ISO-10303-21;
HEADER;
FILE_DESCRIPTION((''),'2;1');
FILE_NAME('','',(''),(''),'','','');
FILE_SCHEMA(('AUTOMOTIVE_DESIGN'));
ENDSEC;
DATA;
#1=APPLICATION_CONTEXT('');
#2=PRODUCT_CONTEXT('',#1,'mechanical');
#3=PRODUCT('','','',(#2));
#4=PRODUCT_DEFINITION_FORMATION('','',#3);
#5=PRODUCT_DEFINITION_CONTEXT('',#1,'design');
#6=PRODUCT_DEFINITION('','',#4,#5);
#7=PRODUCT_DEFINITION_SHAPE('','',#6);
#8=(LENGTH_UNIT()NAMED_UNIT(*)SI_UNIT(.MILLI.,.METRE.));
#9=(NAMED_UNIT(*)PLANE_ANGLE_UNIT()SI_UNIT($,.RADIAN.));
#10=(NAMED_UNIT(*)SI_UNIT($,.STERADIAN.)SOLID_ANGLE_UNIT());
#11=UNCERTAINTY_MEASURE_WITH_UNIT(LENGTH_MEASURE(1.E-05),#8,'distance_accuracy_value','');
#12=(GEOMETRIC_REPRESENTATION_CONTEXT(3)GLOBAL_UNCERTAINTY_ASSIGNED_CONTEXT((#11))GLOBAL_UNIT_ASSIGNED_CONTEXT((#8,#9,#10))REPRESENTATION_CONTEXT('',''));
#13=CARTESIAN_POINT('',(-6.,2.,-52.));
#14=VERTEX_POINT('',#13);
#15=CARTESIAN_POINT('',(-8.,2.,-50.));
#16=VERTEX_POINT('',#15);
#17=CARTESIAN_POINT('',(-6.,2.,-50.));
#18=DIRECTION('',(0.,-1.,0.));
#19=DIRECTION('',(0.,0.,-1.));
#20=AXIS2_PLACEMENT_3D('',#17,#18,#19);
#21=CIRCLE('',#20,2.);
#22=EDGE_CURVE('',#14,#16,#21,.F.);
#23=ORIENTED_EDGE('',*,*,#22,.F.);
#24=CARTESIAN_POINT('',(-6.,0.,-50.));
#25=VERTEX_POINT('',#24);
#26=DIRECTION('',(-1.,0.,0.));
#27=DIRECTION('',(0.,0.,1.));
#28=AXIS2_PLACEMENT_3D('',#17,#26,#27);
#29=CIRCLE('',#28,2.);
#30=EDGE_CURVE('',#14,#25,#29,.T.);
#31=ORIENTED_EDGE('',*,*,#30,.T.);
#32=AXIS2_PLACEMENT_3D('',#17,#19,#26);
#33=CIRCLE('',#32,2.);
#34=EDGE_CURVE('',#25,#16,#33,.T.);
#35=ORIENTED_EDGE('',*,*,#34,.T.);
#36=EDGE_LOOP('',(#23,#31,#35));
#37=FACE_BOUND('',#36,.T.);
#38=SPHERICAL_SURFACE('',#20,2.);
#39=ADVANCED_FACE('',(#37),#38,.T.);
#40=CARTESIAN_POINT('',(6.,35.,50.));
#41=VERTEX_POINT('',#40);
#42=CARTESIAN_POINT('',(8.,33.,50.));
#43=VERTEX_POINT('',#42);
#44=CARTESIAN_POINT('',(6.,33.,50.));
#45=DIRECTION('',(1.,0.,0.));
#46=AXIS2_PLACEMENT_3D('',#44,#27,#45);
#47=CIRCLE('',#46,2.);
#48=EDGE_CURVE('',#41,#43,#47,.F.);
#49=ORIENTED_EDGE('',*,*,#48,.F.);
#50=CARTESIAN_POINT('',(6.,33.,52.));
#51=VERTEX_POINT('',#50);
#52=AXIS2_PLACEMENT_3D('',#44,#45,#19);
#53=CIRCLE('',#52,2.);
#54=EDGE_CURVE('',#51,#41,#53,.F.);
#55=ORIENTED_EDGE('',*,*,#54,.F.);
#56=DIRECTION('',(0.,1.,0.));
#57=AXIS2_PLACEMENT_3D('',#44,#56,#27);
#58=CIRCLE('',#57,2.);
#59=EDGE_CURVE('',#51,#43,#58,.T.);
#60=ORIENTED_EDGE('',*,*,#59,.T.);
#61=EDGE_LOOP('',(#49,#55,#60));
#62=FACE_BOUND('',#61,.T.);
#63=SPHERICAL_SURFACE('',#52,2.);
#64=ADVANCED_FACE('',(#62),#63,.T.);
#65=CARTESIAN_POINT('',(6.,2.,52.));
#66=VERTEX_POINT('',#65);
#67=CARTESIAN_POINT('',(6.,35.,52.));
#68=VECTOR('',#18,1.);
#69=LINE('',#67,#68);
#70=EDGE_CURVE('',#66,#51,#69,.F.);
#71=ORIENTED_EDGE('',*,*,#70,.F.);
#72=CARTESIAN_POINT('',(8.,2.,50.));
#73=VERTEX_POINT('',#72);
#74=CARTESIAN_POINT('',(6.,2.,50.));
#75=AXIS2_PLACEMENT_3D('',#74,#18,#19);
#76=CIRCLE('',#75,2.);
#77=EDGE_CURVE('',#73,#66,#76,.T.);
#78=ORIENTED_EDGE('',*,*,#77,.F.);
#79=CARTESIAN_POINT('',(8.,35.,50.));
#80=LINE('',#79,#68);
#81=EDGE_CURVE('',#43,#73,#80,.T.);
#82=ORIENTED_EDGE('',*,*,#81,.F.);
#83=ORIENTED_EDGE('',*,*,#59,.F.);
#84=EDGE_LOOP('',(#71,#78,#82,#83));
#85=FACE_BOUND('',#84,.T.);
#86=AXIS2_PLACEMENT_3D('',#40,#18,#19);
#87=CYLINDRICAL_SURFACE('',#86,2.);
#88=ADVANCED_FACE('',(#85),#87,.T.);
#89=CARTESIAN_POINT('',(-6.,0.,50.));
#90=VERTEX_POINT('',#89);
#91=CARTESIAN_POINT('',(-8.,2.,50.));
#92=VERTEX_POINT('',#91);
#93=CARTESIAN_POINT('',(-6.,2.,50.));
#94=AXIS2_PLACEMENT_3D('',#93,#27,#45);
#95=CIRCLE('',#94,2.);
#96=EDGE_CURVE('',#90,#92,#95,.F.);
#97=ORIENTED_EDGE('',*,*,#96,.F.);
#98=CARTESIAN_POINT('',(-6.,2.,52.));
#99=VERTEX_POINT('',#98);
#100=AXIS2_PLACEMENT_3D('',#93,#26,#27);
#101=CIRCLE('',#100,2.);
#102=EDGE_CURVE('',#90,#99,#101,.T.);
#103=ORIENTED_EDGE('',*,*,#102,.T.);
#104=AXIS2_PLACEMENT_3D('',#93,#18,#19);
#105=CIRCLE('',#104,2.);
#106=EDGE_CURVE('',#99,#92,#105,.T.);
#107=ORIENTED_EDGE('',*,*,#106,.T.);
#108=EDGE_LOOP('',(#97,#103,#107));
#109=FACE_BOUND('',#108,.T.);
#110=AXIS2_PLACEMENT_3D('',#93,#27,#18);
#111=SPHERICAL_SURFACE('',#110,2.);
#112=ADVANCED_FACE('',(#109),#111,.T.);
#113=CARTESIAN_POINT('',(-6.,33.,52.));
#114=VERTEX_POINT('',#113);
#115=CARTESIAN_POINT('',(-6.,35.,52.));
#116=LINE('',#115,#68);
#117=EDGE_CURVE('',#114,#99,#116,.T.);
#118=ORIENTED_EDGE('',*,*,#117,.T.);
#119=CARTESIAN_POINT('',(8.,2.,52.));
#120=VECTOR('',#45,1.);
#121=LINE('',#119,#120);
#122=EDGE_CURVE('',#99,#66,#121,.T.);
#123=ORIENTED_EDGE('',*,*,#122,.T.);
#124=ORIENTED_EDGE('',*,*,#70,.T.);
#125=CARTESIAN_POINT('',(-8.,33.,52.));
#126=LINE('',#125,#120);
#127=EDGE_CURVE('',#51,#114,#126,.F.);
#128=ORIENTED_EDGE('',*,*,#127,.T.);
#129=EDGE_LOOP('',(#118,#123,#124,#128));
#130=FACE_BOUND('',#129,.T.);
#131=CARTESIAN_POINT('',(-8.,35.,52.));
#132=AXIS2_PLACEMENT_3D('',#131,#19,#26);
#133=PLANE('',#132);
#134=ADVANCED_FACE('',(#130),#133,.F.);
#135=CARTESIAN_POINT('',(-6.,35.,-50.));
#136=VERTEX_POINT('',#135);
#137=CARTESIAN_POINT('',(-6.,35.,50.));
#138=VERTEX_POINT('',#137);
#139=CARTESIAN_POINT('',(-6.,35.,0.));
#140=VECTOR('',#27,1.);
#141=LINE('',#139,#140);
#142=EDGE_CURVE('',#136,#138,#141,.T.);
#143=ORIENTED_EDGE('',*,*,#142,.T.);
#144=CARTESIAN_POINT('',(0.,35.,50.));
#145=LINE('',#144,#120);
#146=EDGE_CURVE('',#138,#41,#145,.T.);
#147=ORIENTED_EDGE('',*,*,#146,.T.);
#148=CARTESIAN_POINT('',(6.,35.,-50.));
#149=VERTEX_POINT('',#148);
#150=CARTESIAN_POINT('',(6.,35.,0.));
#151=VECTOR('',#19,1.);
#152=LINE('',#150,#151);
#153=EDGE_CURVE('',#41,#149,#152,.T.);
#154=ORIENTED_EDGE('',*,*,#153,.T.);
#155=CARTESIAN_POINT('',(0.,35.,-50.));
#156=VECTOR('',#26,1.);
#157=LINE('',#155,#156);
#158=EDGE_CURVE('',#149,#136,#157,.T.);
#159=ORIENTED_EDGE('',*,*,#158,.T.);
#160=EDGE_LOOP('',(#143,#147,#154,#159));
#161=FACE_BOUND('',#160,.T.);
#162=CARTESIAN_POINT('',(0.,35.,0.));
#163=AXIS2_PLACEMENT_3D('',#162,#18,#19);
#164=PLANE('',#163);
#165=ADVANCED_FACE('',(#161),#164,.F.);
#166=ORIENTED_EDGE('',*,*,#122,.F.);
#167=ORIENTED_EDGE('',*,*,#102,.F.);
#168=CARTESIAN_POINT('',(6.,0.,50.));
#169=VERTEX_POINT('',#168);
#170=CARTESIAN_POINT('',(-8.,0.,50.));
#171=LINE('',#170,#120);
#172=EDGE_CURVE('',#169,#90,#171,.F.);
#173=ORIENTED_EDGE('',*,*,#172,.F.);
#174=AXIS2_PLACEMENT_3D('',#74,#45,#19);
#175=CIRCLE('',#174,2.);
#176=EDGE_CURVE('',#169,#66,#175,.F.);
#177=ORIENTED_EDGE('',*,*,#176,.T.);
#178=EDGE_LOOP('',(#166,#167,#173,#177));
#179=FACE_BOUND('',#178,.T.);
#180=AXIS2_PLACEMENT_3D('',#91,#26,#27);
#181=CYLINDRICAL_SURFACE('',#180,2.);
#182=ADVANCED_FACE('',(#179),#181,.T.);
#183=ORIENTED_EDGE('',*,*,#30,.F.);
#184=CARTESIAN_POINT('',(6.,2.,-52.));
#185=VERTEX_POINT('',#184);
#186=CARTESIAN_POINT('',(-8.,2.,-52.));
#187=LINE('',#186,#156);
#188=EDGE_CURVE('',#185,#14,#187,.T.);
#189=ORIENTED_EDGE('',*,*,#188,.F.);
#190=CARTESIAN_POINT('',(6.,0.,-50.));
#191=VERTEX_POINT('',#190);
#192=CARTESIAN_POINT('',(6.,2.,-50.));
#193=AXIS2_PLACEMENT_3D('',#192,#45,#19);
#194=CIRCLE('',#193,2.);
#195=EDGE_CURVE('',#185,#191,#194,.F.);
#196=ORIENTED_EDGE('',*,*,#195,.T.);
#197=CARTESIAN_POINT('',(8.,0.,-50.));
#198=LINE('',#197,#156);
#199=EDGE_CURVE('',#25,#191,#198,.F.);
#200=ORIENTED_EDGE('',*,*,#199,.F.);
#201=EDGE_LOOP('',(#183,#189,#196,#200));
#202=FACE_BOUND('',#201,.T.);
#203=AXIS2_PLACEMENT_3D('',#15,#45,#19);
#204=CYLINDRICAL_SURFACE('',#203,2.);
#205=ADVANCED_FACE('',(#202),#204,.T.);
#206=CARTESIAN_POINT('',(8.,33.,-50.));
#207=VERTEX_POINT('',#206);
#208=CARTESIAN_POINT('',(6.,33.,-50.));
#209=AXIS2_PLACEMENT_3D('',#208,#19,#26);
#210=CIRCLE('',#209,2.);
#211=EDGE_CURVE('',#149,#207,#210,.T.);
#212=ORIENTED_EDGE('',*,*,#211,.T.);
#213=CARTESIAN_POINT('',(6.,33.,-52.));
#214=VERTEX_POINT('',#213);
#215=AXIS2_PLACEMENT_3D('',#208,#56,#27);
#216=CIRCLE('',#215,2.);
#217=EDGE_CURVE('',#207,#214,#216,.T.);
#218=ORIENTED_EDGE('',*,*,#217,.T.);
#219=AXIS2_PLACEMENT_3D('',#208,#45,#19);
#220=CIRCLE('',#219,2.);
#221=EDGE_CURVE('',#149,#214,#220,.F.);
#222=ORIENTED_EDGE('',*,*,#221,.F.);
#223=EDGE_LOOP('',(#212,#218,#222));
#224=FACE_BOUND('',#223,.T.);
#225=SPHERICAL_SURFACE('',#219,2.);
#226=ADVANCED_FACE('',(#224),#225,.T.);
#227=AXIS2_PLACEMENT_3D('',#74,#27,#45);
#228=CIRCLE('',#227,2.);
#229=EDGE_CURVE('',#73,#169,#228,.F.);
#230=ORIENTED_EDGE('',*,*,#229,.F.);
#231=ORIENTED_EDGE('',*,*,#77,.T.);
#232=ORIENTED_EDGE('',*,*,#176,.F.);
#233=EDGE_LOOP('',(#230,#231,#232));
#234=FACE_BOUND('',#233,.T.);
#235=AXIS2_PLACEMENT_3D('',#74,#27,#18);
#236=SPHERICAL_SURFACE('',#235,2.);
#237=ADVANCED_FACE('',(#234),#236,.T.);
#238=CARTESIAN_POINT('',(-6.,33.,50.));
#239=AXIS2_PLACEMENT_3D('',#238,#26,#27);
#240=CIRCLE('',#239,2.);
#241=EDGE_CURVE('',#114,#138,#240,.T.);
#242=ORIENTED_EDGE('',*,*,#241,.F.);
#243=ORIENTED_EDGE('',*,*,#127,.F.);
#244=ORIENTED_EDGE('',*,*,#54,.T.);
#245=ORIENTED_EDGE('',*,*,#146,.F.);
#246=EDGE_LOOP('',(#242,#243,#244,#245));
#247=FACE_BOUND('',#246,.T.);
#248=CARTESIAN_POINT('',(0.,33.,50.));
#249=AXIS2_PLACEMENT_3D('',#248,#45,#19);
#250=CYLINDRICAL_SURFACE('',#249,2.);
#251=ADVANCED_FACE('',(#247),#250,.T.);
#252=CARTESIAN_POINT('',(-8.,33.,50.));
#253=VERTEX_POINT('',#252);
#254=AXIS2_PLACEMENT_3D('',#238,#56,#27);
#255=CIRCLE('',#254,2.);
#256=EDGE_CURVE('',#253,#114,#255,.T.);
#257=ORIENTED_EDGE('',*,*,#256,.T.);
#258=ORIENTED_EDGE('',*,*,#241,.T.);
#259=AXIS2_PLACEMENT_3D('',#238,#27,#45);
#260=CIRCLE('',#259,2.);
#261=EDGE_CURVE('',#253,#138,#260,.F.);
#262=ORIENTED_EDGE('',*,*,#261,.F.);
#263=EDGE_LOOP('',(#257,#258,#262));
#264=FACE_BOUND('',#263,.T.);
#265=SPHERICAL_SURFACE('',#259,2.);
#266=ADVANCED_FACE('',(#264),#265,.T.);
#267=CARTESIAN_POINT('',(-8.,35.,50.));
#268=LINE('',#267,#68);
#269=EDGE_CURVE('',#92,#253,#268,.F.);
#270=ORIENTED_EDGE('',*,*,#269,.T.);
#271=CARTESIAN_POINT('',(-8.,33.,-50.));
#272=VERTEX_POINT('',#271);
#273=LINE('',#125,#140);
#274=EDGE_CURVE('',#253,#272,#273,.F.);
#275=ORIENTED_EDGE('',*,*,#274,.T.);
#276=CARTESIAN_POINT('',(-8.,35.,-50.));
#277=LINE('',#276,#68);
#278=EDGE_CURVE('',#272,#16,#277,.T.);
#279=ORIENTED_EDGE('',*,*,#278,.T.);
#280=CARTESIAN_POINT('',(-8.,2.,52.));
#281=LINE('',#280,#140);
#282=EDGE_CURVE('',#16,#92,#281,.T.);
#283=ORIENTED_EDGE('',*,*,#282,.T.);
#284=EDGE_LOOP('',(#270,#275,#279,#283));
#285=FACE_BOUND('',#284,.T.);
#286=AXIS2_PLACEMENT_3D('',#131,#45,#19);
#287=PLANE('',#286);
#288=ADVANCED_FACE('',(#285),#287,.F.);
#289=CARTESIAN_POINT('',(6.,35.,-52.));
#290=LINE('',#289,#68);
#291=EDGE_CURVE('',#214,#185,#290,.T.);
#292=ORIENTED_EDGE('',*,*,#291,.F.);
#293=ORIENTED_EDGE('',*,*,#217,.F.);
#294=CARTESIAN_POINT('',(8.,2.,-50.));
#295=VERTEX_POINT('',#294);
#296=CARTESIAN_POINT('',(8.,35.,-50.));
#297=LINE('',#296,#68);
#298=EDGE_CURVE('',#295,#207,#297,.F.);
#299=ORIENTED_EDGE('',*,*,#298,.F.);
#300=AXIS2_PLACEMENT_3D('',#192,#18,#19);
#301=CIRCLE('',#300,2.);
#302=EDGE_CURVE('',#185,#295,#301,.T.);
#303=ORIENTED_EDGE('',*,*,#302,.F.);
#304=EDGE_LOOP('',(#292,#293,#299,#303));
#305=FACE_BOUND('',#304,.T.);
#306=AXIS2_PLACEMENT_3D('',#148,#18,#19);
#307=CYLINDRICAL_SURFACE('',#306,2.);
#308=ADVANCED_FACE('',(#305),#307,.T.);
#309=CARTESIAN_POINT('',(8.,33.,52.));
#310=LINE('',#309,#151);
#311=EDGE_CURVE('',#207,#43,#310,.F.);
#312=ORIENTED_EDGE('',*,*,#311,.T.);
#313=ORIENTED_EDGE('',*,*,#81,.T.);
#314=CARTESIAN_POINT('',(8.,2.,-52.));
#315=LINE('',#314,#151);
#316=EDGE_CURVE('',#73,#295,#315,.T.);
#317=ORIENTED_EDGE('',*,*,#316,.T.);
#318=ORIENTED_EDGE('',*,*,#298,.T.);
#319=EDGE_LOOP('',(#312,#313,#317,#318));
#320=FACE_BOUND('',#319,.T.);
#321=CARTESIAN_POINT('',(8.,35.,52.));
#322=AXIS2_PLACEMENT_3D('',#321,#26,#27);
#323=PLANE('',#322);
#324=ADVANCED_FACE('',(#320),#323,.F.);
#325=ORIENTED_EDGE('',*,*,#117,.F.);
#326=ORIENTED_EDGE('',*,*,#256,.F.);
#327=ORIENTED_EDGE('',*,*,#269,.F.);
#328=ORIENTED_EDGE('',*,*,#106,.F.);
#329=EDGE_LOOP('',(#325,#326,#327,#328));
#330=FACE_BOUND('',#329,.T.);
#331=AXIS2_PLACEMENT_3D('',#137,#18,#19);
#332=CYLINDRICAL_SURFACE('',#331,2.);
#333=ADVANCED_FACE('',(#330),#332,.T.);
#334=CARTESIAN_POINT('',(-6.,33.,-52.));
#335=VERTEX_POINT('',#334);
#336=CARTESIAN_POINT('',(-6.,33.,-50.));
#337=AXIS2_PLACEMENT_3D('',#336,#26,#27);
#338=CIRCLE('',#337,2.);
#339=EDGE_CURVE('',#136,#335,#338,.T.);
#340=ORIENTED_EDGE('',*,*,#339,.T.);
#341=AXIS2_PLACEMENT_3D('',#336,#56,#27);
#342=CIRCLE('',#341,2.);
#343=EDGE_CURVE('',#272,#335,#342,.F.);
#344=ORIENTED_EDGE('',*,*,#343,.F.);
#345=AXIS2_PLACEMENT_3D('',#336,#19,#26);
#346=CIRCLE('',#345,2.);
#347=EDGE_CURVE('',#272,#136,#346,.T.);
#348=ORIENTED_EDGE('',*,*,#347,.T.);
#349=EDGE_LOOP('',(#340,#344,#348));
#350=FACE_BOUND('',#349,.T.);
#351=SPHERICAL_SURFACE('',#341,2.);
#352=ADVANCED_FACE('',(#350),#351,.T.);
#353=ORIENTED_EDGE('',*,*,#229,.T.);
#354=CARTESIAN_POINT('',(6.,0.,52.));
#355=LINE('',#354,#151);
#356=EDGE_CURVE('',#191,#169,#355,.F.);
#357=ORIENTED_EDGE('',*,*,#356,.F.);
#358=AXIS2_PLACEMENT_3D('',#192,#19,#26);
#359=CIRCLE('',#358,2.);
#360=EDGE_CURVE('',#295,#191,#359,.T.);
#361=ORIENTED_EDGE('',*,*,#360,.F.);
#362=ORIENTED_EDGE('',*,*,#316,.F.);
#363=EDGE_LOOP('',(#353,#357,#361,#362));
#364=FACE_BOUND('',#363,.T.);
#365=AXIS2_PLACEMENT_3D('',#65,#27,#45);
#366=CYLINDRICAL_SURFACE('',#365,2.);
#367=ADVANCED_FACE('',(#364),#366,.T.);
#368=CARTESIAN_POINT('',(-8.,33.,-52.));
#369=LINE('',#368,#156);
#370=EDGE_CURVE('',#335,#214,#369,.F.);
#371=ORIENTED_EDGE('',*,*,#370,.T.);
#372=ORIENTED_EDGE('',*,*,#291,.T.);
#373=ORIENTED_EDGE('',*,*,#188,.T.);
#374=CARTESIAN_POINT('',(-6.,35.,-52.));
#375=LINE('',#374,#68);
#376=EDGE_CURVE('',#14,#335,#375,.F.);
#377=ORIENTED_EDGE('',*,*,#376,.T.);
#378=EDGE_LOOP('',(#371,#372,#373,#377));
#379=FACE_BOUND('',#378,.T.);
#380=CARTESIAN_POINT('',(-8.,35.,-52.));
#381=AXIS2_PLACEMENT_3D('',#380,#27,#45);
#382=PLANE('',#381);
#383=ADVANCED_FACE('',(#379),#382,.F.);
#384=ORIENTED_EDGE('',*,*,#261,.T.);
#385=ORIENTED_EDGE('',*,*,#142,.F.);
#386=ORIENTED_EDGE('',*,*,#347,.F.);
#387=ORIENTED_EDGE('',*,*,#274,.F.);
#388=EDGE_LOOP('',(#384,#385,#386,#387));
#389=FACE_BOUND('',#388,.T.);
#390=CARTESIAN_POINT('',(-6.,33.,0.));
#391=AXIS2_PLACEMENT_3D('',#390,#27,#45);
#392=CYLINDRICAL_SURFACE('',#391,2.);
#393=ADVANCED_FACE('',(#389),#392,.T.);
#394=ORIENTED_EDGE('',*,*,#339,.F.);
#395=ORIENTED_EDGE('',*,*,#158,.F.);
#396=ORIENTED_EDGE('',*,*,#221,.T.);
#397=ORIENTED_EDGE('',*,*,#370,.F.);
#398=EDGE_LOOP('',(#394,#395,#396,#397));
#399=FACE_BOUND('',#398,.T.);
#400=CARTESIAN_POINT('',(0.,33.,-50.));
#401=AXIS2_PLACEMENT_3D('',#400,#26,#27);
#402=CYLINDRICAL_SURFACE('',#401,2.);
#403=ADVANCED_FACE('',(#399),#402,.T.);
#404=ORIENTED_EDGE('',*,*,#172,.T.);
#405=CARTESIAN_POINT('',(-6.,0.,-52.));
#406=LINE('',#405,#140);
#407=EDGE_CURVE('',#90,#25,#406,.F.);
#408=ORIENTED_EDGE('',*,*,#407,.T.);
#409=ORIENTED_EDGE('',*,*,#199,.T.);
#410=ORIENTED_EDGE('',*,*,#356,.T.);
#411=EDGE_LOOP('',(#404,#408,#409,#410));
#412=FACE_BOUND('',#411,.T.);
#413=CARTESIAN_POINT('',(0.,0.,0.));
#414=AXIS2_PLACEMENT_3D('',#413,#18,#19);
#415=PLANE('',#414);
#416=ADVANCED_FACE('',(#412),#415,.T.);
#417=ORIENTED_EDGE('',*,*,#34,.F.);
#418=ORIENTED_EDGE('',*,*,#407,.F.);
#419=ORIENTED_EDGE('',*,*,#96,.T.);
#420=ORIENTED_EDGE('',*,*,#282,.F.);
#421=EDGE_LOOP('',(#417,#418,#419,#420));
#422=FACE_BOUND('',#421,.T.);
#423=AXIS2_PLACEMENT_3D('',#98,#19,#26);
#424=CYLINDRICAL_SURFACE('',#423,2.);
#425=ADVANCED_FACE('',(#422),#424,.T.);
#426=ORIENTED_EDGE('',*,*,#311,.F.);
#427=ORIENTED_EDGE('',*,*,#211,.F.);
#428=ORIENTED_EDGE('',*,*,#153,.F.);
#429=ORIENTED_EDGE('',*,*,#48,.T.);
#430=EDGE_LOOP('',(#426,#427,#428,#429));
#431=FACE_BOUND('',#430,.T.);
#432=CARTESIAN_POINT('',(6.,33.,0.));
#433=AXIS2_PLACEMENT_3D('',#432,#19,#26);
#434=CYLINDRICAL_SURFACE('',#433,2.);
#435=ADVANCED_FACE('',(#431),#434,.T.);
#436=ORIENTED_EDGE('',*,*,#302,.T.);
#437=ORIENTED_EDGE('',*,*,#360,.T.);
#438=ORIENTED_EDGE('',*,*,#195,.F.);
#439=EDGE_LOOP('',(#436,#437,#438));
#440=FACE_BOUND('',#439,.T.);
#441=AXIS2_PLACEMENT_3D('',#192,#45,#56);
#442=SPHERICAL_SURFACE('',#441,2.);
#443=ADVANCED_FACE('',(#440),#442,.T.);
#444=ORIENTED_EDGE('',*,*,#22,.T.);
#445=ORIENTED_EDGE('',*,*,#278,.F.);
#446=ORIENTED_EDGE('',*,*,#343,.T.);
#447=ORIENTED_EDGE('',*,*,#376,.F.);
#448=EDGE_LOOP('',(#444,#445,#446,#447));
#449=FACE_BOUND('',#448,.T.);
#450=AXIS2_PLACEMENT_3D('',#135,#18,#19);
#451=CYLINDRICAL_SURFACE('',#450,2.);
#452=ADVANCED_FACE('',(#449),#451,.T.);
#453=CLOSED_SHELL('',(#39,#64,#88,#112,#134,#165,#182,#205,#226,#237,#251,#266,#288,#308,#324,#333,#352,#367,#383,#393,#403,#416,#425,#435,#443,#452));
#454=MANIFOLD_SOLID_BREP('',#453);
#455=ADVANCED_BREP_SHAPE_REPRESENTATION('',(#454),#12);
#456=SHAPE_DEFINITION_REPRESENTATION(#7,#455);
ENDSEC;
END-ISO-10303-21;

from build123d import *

# Parameters (mm, degrees)
SKETCH1_W           = 16
SKETCH1_H           = 104
BOSS_EXTRUDE1_DEPTH = 35
FILLET1_R           = 2


with BuildPart() as part:
    # Sketch1 → Boss-Extrude1 (new body)
    with BuildSketch(Plane(origin=(0, 0, 0), x_dir=(1, 0, 0), z_dir=(0, 1, 0))):
        Rectangle(SKETCH1_W, SKETCH1_H)
    extrude(amount=BOSS_EXTRUDE1_DEPTH)

    # Fillet1
    fillet1_edges = [part.edges().sort_by_distance(p)[0] for p in [
        (-8, 35, 0),
        (0, 35, 52),
        (8, 35, 0),
        (0, 0, 52),
        (-8, 0, 0),
        (0, 0, -52),
        (8, 0, 0),
        (8, 17.5, 52),
        (-8, 17.5, 52),
        (-8, 17.5, -52),
        (8, 17.5, -52),
        (0, 35, -52),
    ]]
    fillet(fillet1_edges, radius=FILLET1_R)


solid = part.part
